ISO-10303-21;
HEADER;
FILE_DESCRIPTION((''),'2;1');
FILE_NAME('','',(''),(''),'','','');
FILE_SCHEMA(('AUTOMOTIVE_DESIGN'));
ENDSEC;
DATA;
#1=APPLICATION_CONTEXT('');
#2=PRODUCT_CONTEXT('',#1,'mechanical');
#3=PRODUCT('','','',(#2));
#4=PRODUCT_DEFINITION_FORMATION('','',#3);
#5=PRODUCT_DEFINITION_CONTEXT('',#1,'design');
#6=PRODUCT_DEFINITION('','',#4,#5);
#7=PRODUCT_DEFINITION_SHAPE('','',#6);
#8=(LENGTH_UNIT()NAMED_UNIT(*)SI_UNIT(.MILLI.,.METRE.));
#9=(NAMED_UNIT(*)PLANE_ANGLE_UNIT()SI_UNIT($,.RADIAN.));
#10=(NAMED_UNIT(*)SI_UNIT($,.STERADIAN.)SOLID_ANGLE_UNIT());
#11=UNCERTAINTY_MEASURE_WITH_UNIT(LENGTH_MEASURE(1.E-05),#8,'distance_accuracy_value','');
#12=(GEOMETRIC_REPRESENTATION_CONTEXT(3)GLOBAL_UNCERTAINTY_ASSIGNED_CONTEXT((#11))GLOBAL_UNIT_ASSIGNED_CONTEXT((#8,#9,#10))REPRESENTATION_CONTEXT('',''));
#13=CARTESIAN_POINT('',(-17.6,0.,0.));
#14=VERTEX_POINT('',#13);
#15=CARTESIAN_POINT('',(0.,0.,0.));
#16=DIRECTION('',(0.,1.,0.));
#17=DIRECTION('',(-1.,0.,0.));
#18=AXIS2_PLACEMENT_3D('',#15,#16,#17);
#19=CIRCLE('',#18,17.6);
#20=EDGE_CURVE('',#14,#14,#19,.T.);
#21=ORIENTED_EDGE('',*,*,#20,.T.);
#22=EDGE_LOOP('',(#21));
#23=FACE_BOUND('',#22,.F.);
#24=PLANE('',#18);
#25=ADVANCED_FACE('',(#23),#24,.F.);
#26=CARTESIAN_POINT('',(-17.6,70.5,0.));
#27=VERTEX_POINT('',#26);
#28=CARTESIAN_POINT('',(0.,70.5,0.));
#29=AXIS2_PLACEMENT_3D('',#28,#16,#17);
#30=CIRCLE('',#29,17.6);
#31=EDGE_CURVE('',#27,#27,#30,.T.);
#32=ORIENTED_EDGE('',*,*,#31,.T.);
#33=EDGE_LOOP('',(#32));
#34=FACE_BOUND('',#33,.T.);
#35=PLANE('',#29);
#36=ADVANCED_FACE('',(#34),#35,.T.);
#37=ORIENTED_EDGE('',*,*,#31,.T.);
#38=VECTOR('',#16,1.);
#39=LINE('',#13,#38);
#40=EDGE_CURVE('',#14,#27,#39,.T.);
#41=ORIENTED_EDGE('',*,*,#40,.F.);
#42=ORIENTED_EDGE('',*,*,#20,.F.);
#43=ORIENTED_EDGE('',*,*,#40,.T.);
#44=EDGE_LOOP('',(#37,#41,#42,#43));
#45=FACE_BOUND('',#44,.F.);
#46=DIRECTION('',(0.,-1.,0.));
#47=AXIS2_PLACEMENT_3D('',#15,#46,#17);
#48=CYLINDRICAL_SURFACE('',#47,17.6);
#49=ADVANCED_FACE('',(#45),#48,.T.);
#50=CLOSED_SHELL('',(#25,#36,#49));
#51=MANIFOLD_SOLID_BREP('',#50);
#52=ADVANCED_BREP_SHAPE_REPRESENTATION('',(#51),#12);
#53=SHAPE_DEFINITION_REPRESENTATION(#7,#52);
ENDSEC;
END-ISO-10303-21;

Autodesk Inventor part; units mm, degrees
ref_plane "YZ Plane" through (0, 0, 0) normal (1, 0, 0) x (0, 1, 0)
ref_plane "XZ Plane" through (0, 0, 0) normal (0, 1, 0) x (-1, 0, 0)
ref_plane "XY Plane" through (0, 0, 0) normal (0, 0, 1) x (1, 0, 0)
sketch "Sketch1" plane through (0, 0, 0) normal (0, 1, 0) x (-1, 0, 0)
  circle A0 centre (0, 0) radius 17.6
  dimension "d0" = 35.2
extrude "Extrusion1" add sketch "Sketch1" along normal blind 70.5
properties part number "Capacitor1"
